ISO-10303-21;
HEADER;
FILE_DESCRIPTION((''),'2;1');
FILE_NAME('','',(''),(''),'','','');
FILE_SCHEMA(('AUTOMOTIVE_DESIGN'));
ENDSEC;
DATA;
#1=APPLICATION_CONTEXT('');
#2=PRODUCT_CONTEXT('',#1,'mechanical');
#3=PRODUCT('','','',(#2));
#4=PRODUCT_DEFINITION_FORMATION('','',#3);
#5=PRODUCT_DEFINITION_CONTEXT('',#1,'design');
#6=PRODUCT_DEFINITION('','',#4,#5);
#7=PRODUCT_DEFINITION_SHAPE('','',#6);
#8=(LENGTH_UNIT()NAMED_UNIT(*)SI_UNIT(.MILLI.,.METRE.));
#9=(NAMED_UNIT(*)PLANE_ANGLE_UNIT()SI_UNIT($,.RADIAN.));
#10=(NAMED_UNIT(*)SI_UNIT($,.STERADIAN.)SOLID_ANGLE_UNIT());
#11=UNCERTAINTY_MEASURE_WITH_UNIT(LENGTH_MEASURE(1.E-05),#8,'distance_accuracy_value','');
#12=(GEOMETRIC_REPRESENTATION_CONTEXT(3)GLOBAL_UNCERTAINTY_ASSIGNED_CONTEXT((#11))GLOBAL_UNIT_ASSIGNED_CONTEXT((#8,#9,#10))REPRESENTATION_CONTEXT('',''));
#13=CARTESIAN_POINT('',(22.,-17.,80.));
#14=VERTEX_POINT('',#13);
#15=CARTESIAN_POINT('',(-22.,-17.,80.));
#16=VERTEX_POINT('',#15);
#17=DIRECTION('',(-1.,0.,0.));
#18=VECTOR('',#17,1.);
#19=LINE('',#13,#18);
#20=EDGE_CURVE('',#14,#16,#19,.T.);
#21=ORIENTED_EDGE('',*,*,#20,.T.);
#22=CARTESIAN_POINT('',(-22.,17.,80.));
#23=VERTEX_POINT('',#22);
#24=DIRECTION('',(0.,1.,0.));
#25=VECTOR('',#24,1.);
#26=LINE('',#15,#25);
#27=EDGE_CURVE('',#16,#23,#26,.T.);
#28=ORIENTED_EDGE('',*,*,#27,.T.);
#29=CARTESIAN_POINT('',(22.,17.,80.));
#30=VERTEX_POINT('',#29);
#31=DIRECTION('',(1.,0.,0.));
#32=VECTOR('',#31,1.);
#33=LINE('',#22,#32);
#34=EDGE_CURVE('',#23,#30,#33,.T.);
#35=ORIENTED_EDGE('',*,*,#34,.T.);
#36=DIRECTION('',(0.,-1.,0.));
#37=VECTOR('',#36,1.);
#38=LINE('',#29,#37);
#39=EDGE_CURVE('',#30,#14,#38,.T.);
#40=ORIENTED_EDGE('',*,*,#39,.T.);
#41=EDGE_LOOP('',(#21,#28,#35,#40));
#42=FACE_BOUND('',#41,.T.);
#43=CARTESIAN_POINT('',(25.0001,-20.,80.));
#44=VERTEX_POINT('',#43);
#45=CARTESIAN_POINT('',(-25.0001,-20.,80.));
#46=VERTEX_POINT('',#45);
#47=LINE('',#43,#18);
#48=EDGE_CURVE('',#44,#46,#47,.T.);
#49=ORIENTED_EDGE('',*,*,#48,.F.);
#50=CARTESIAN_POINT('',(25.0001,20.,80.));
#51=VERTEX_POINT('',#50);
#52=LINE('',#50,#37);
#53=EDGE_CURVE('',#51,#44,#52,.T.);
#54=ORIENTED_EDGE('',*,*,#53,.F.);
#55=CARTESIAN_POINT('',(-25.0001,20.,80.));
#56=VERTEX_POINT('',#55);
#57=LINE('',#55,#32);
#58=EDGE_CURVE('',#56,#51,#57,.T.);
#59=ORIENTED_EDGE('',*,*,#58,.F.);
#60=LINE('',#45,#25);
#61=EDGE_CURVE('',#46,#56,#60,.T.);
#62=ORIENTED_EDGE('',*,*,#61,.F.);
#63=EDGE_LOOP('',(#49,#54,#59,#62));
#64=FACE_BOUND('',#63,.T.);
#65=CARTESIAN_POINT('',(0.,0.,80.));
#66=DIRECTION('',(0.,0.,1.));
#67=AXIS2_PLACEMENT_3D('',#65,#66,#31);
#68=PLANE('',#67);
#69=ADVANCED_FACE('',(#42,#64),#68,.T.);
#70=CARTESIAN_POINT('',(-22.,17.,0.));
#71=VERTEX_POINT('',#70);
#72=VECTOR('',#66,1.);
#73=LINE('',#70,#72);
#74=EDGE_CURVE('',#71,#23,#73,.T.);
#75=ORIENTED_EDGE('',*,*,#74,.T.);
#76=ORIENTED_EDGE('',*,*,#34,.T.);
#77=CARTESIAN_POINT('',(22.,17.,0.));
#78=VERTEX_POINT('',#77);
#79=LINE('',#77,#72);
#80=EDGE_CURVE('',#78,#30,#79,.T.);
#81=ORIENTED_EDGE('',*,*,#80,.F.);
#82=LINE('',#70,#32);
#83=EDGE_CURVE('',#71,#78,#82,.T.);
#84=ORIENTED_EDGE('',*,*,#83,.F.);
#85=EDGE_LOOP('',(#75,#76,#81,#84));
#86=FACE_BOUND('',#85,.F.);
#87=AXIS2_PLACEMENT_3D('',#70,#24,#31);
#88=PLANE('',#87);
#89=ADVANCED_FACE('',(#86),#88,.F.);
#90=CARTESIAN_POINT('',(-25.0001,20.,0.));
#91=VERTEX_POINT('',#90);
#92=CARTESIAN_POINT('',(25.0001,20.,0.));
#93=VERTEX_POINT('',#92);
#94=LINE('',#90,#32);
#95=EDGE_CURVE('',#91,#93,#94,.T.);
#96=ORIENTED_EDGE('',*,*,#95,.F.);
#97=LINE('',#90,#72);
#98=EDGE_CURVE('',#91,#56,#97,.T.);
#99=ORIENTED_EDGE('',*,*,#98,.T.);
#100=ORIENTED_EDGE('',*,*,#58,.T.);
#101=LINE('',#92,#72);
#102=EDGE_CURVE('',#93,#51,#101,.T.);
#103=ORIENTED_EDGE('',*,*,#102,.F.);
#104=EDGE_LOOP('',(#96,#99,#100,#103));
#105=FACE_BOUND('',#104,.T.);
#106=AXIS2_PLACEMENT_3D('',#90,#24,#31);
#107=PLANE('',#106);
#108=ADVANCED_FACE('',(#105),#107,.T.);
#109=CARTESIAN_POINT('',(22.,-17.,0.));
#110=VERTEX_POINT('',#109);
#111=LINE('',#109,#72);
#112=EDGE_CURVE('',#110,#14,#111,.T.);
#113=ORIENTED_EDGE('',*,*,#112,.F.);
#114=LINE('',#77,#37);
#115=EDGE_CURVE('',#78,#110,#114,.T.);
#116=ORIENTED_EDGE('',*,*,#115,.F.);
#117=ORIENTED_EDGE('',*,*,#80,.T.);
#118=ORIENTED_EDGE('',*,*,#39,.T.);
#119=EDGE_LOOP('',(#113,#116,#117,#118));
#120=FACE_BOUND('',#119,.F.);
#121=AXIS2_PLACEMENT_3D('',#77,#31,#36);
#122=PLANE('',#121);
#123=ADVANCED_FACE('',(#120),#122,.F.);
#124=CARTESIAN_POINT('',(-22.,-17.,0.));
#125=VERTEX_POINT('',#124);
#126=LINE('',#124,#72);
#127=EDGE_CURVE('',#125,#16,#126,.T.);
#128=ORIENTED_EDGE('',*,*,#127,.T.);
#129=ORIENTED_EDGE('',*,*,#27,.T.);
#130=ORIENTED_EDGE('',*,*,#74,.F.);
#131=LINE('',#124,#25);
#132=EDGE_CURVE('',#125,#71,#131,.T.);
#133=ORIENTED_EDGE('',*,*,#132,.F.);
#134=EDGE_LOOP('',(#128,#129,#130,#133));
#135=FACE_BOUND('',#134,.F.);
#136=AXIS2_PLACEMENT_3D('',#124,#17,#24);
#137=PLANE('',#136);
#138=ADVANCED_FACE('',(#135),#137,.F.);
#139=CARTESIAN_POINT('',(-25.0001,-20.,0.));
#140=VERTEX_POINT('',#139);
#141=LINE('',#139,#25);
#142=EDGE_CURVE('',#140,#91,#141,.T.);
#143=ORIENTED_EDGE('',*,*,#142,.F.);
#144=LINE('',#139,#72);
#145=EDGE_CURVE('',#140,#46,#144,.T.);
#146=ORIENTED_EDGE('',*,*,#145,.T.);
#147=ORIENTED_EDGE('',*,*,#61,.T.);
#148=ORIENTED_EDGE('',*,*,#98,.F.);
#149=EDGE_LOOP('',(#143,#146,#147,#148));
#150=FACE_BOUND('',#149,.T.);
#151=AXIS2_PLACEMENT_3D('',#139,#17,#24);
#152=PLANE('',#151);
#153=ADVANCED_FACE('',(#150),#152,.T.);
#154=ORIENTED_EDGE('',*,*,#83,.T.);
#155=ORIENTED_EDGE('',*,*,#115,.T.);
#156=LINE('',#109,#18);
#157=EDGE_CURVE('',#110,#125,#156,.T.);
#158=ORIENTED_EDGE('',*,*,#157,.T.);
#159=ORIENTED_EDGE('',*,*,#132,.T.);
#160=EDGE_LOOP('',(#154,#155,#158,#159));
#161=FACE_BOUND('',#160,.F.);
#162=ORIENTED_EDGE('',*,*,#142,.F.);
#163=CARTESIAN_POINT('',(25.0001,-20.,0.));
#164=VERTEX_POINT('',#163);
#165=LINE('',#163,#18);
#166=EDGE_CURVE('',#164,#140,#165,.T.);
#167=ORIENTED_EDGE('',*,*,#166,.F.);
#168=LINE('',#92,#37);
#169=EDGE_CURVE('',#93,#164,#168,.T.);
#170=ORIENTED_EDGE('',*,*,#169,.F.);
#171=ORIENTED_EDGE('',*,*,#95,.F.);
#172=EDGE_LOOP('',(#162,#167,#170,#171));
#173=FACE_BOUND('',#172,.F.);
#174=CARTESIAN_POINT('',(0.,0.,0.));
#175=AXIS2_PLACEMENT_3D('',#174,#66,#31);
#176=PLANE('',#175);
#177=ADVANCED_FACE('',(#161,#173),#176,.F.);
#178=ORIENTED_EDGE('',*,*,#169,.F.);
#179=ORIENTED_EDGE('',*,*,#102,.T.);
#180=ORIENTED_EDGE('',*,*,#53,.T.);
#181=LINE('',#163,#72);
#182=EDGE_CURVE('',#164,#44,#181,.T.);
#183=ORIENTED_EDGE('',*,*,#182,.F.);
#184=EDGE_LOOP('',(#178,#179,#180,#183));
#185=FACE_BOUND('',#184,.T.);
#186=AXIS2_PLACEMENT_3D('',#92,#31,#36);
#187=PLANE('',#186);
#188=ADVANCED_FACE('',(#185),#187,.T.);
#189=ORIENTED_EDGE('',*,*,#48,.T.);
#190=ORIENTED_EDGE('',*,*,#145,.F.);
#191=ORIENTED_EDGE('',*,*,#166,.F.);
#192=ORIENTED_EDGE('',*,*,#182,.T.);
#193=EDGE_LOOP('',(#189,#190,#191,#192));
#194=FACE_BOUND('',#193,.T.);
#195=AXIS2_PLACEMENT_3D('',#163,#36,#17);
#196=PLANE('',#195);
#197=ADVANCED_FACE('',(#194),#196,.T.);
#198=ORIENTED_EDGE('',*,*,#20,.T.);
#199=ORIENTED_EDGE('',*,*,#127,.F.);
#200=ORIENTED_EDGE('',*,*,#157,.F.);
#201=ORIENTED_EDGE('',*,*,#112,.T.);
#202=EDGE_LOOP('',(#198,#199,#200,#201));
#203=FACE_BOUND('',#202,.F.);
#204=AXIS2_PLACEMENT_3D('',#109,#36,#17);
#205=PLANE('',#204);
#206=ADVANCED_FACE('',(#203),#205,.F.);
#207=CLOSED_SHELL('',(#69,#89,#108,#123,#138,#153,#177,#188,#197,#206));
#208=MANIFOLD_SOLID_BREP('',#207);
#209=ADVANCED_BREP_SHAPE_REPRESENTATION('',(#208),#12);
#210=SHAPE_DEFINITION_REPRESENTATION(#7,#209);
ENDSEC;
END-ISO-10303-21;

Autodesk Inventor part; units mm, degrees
ref_plane "YZ Plane" through (0, 0, 0) normal (1, 0, 0) x (0, 1, 0)
ref_plane "XZ Plane" through (0, 0, 0) normal (0, 1, 0) x (-1, 0, 0)
ref_plane "XY Plane" through (0, 0, 0) normal (0, 0, 1) x (1, 0, 0)
sketch "Sketch1" plane through (0, 0, 0) normal (0, 0, 1) x (1, 0, 0)
  point P0 (0, 0)
sketch "Sketch2" plane through (0, 0, 0) normal (0, 0, 1) x (1, 0, 0)
  line L0 (22, -17) -> (-22, -17)
  line L1 (-22, -17) -> (-22, 17)
  line L2 (-22, 17) -> (22, 17)
  line L3 (22, 17) -> (22, -17)
  line L4 (22, -17) -> (-22, 17) construction
  line L5 (-22, -17) -> (22, 17) construction
  line L6 (25.0001, -20) -> (-25.0001, -20)
  line L7 (-25.0001, -20) -> (-25.0001, 20)
  line L8 (-25.0001, 20) -> (25.0001, 20)
  line L9 (25.0001, 20) -> (25.0001, -20)
  line L10 (25.0001, -20) -> (-25.0001, 20) construction
  line L11 (-25.0001, -20) -> (25.0001, 20) construction
  point P0 (0, 0)
extrude "Extrusion1" add sketch "Sketch2" along normal blind 80
properties part number "enclosure_80x40x50_mm"
